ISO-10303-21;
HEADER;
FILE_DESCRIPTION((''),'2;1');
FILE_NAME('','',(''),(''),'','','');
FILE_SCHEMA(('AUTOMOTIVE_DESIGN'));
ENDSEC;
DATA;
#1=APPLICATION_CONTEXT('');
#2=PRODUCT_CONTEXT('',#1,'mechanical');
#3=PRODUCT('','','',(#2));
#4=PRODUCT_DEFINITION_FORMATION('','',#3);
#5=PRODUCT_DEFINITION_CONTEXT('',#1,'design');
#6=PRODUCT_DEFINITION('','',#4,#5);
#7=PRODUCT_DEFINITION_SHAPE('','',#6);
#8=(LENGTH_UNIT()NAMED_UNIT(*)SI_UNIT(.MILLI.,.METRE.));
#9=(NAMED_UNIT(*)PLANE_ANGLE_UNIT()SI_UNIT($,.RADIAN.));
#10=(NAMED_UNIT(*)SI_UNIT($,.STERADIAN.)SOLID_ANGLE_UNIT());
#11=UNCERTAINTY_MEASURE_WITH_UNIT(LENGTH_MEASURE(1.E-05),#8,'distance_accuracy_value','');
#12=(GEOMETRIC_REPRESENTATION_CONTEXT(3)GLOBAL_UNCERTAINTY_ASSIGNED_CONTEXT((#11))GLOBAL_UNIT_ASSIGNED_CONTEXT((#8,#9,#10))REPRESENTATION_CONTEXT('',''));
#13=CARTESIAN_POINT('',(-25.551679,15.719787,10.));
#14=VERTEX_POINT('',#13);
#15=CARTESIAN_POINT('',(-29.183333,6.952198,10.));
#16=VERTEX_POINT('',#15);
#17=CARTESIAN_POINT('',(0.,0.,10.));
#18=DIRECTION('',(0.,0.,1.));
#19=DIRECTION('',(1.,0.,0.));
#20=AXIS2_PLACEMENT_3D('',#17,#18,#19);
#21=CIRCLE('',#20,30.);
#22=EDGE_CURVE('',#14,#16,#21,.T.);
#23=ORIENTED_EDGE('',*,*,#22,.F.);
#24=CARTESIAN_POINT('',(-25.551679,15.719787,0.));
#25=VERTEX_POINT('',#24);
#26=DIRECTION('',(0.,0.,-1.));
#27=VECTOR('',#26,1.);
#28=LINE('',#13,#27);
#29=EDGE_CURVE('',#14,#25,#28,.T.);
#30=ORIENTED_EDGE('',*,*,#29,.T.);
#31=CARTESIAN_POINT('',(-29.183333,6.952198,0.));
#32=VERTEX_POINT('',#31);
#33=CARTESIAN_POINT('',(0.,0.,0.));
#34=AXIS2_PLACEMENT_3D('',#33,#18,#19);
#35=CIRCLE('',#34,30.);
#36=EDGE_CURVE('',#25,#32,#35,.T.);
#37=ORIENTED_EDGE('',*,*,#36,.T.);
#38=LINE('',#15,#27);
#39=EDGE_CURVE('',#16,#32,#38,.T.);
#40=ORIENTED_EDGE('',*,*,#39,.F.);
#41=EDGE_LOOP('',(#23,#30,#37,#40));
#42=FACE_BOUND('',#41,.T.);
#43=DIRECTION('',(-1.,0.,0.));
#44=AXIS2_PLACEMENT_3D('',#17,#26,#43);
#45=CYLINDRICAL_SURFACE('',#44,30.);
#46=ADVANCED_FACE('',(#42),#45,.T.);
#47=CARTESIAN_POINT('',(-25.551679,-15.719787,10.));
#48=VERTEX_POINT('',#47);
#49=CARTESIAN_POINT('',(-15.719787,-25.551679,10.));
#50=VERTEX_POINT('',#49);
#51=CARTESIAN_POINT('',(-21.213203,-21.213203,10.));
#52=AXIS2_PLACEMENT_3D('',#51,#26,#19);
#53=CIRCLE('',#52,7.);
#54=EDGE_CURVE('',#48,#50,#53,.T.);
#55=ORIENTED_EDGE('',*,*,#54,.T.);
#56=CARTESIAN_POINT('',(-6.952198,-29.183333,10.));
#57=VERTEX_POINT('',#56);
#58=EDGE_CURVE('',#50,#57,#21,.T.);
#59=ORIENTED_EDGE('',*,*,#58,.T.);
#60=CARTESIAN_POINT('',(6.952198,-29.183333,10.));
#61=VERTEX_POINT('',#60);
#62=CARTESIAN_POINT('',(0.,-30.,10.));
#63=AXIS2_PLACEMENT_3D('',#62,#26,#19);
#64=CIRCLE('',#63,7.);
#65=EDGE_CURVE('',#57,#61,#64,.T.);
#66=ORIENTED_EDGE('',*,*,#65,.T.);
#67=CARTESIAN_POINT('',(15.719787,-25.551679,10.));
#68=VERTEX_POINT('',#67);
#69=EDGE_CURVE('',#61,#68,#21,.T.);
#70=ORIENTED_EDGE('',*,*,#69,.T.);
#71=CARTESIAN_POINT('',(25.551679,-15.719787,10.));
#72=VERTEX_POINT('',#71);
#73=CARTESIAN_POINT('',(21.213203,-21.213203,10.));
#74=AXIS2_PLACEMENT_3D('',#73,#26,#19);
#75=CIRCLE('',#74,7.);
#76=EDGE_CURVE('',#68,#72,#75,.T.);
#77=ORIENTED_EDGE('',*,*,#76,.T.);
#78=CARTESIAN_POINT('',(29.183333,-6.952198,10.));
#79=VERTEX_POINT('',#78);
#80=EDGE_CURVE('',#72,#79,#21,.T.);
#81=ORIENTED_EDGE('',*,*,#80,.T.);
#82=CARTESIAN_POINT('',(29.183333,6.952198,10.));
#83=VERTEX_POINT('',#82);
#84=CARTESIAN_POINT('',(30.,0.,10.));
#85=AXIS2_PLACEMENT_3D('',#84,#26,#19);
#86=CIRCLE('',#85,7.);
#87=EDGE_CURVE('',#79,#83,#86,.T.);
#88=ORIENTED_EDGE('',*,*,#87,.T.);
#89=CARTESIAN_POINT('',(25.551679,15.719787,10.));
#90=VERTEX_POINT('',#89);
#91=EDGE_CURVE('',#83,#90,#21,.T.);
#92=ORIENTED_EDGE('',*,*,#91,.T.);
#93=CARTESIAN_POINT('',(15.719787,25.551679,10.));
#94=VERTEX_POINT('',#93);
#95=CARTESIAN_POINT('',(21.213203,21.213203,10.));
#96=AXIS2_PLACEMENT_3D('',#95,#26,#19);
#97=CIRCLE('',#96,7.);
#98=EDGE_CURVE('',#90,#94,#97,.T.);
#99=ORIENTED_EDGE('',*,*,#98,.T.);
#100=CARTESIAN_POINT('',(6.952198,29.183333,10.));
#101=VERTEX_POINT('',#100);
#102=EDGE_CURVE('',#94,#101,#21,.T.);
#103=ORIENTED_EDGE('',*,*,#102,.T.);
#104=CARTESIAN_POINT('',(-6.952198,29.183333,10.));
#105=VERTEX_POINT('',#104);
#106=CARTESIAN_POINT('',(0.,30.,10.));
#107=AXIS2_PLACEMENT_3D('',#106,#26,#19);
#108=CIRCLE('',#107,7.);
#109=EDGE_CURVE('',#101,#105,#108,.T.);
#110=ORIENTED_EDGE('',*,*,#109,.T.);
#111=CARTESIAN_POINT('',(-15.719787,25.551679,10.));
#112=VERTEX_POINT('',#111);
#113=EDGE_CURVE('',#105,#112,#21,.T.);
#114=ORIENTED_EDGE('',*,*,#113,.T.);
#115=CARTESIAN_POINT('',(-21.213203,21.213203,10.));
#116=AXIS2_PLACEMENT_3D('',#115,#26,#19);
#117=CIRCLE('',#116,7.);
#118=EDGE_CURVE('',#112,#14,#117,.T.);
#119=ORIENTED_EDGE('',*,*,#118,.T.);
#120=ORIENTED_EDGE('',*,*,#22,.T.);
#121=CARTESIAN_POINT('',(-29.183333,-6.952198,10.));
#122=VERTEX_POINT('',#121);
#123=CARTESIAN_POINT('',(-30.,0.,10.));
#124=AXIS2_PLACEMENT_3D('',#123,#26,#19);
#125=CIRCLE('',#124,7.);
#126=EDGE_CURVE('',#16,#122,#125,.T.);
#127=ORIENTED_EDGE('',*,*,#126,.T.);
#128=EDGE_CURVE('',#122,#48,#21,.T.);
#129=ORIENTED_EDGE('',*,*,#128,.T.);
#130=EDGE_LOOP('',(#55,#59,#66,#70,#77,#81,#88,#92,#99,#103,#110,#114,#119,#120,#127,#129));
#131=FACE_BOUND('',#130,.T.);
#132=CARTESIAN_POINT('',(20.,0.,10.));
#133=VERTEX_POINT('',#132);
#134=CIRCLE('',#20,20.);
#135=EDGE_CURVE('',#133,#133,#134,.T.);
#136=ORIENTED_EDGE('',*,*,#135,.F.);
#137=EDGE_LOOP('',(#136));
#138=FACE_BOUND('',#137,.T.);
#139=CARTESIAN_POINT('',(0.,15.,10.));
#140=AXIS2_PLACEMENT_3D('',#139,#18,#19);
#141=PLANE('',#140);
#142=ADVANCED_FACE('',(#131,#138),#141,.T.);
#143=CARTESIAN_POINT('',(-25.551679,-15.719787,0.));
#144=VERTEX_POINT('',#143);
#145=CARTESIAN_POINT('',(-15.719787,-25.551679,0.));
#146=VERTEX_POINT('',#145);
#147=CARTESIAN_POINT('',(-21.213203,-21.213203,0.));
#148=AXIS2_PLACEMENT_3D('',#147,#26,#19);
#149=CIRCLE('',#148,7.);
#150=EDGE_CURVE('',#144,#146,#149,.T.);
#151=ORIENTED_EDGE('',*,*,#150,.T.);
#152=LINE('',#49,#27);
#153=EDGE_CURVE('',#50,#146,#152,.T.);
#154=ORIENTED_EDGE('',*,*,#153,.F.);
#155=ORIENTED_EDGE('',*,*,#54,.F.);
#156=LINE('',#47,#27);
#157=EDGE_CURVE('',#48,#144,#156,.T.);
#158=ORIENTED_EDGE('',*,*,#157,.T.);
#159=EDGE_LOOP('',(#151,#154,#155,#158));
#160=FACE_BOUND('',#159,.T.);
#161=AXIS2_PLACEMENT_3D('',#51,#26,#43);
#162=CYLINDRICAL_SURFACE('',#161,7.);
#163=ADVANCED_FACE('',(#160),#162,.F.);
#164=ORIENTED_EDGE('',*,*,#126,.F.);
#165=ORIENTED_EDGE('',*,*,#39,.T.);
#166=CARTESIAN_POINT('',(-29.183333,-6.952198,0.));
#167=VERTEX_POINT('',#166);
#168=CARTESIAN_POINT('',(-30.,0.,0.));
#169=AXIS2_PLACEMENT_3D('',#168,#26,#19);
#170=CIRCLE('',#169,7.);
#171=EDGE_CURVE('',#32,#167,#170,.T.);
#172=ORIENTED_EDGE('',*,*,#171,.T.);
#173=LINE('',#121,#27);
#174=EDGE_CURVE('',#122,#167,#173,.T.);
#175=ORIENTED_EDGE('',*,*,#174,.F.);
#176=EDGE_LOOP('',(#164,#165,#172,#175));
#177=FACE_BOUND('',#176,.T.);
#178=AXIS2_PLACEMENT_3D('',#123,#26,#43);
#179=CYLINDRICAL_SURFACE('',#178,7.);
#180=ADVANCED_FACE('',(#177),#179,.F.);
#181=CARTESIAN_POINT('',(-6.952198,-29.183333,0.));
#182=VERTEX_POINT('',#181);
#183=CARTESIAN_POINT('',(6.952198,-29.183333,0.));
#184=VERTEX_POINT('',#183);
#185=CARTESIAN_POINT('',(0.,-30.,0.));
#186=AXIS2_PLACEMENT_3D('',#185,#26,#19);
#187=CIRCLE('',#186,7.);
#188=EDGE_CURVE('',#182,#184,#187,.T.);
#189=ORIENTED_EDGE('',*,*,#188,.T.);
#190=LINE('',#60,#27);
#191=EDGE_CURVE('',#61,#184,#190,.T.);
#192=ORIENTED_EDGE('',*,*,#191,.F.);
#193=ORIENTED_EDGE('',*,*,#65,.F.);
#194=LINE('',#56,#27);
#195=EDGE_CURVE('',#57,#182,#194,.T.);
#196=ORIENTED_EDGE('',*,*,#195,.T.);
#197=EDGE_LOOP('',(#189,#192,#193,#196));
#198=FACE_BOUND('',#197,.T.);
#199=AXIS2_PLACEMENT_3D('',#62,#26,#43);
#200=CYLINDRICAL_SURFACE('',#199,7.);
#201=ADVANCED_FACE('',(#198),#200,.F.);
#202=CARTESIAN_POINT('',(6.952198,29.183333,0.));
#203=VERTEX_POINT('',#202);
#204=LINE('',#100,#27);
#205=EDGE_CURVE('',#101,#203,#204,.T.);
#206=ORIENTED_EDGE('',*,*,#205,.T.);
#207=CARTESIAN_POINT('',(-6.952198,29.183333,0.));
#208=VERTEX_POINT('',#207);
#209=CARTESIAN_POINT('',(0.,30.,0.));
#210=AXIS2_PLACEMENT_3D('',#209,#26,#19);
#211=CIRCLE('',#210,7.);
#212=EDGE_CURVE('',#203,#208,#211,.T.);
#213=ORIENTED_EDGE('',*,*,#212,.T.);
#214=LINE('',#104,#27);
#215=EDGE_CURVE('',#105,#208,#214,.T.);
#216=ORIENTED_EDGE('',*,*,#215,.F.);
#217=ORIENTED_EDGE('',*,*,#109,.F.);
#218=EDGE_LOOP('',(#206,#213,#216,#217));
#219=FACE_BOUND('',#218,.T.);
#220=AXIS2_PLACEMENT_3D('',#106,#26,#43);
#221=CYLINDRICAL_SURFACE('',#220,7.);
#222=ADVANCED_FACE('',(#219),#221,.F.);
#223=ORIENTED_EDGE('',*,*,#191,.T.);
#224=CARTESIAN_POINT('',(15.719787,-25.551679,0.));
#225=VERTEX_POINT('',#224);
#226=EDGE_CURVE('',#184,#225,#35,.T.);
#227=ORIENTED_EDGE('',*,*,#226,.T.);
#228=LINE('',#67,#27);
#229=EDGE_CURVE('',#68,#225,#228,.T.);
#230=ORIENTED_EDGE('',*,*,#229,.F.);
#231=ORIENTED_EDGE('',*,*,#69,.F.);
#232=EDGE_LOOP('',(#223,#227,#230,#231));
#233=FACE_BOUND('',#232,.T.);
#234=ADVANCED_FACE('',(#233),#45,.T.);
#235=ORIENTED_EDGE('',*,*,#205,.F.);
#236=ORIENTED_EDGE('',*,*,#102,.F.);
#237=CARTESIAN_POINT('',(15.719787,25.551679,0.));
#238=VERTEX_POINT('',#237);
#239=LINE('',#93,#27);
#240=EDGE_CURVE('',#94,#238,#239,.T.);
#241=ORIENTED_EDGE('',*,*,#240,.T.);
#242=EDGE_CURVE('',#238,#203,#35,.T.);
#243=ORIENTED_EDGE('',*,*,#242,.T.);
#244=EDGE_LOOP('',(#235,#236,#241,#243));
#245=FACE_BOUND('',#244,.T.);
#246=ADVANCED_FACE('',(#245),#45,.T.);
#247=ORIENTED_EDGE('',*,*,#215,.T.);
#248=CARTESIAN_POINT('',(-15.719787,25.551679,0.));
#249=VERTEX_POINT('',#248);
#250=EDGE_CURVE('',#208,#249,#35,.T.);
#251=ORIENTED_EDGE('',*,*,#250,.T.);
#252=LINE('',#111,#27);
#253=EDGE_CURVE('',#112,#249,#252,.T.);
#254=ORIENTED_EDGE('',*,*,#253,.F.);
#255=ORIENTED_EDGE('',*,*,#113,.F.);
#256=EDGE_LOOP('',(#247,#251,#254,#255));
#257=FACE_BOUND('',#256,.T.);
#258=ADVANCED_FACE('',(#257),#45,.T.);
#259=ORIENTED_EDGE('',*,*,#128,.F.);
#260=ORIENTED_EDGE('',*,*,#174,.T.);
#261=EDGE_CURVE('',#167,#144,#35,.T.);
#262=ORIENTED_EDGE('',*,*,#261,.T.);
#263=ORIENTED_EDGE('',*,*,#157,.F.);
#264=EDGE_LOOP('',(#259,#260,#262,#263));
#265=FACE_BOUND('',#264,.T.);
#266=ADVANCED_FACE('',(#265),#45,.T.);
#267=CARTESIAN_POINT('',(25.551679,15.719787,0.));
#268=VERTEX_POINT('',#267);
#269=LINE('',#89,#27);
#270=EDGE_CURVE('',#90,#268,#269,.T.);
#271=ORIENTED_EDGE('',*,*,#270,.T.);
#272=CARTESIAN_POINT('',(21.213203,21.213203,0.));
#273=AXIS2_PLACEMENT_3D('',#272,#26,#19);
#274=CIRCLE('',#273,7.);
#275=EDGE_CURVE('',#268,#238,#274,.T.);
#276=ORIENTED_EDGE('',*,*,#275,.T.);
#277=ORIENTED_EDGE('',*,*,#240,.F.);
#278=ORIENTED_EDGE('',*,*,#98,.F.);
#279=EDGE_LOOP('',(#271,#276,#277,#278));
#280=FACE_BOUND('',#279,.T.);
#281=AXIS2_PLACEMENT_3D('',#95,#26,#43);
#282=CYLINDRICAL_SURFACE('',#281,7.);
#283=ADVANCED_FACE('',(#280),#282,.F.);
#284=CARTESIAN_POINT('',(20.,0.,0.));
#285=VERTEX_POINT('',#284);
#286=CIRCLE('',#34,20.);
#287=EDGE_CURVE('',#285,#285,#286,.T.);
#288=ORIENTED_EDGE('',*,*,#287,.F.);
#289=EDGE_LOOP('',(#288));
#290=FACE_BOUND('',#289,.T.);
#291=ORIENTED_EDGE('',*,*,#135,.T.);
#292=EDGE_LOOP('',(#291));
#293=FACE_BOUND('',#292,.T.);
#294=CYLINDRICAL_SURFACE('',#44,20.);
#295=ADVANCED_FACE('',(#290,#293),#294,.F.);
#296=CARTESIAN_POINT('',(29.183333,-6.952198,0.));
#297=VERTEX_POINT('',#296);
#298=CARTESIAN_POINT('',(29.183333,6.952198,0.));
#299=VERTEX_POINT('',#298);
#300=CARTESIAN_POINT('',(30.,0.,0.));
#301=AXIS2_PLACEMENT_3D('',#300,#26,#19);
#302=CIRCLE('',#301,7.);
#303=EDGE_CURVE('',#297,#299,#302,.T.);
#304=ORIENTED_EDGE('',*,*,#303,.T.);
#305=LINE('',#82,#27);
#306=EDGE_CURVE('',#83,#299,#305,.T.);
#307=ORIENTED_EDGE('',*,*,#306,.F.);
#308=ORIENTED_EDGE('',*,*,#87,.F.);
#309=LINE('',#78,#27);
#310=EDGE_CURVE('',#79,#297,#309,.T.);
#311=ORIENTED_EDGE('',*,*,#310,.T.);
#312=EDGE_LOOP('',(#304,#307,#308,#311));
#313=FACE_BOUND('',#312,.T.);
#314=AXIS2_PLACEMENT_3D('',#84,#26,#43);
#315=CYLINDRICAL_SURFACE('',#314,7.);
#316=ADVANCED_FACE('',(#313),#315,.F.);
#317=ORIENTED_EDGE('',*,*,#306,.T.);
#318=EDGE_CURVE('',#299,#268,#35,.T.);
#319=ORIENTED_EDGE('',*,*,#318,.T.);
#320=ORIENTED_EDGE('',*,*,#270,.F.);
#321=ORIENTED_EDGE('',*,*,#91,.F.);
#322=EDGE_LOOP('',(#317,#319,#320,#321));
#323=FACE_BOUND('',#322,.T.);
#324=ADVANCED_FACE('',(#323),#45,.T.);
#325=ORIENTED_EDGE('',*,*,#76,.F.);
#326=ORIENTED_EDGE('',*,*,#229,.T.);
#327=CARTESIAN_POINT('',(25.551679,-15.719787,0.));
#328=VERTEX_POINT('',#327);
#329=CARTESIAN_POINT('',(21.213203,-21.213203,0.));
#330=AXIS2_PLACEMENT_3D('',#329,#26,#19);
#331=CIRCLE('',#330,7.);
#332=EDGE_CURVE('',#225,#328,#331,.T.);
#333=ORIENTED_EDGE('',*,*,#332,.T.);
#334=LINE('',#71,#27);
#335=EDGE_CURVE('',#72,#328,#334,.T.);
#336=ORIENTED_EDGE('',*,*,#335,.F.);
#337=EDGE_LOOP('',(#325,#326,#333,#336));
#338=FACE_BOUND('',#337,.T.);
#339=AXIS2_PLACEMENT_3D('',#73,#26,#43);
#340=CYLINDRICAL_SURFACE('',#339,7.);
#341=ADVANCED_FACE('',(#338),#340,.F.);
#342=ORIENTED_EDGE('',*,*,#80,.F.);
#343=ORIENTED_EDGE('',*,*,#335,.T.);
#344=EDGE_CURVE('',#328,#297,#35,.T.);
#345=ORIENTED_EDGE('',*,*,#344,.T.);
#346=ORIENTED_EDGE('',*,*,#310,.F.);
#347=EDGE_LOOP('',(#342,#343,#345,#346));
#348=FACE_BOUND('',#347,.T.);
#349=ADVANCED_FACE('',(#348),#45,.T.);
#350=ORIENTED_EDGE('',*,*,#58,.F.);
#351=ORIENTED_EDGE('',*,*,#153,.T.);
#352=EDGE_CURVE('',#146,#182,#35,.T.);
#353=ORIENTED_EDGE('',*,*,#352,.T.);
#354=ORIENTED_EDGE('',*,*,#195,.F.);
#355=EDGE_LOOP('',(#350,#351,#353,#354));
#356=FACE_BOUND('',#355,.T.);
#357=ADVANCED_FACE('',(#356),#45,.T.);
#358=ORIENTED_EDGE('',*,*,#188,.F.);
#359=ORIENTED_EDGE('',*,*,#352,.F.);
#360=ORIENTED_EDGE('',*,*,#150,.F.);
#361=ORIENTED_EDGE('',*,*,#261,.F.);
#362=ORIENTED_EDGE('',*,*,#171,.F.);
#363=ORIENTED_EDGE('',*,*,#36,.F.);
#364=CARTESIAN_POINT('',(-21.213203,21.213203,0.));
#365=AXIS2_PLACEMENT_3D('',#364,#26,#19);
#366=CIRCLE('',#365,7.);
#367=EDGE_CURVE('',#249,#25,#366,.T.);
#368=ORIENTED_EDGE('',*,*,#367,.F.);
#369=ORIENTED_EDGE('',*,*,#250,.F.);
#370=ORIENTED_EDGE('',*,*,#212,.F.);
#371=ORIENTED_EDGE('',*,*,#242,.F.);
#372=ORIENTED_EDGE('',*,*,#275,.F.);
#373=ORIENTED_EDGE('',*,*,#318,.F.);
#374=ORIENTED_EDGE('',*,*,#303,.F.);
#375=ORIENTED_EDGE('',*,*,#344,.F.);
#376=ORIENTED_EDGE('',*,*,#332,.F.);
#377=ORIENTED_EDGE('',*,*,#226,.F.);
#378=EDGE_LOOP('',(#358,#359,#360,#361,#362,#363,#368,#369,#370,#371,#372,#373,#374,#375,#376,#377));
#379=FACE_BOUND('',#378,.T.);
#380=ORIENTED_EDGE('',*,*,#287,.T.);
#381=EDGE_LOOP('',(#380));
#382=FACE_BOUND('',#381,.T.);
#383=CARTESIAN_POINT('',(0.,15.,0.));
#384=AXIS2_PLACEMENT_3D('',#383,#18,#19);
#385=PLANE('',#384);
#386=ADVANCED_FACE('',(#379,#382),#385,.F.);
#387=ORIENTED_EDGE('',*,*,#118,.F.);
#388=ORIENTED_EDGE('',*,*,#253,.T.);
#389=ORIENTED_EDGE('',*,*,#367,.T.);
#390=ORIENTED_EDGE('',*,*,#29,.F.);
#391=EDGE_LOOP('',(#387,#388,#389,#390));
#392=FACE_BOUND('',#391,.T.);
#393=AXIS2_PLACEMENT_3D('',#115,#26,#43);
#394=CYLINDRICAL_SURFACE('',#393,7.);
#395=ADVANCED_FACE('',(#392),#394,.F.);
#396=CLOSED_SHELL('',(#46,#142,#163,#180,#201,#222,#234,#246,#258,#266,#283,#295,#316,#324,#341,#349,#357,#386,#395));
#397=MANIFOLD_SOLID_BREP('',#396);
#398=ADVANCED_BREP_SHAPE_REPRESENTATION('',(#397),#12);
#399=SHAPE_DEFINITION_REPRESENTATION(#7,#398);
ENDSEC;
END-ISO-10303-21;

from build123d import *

# Parameters (mm, degrees)
SKETCH1_R           = 20
BOSS_EXTRUDE1_DEPTH = 10


with BuildPart() as part:
    # Sketch1 → Boss-Extrude1 (new body)
    with BuildSketch(Plane.XY):
        with BuildLine():
            ThreePointArc((-6.952197894, 29.183333333), (-11.480502971, 27.716385975), (-15.719786623, 25.551679173))
            ThreePointArc((-15.719786623, 25.551679173), (-16.263455967, 16.263455967), (-25.551679173, 15.719786623))
            ThreePointArc((-25.551679173, 15.719786623), (-27.716385975, 11.480502971), (-29.183333333, 6.952197894))
            ThreePointArc((-29.183333333, 6.952197894), (-23, 0), (-29.183333333, -6.952197894))
            ThreePointArc((-29.183333333, -6.952197894), (-27.716385975, -11.480502971), (-25.551679173, -15.719786623))
            ThreePointArc((-25.551679173, -15.719786623), (-16.263455967, -16.263455967), (-15.719786623, -25.551679173))
            ThreePointArc((-15.719786623, -25.551679173), (-11.480502971, -27.716385975), (-6.952197894, -29.183333333))
            ThreePointArc((-6.952197894, -29.183333333), (0, -23), (6.952197894, -29.183333333))
            ThreePointArc((6.952197894, -29.183333333), (11.480502971, -27.716385975), (15.719786623, -25.551679173))
            ThreePointArc((15.719786623, -25.551679173), (16.263455967, -16.263455967), (25.551679173, -15.719786623))
            ThreePointArc((25.551679173, -15.719786623), (27.716385975, -11.480502971), (29.183333333, -6.952197894))
            ThreePointArc((29.183333333, -6.952197894), (23, 0), (29.183333333, 6.952197894))
            ThreePointArc((29.183333333, 6.952197894), (27.716385975, 11.480502971), (25.551679173, 15.719786623))
            ThreePointArc((25.551679173, 15.719786623), (16.263455967, 16.263455967), (15.719786623, 25.551679173))
            ThreePointArc((15.719786623, 25.551679173), (11.480502971, 27.716385975), (6.952197894, 29.183333333))
            ThreePointArc((6.952197894, 29.183333333), (0, 23), (-6.952197894, 29.183333333))
        make_face()
        Circle(SKETCH1_R, mode=Mode.SUBTRACT)
    extrude(amount=BOSS_EXTRUDE1_DEPTH)


solid = part.part
